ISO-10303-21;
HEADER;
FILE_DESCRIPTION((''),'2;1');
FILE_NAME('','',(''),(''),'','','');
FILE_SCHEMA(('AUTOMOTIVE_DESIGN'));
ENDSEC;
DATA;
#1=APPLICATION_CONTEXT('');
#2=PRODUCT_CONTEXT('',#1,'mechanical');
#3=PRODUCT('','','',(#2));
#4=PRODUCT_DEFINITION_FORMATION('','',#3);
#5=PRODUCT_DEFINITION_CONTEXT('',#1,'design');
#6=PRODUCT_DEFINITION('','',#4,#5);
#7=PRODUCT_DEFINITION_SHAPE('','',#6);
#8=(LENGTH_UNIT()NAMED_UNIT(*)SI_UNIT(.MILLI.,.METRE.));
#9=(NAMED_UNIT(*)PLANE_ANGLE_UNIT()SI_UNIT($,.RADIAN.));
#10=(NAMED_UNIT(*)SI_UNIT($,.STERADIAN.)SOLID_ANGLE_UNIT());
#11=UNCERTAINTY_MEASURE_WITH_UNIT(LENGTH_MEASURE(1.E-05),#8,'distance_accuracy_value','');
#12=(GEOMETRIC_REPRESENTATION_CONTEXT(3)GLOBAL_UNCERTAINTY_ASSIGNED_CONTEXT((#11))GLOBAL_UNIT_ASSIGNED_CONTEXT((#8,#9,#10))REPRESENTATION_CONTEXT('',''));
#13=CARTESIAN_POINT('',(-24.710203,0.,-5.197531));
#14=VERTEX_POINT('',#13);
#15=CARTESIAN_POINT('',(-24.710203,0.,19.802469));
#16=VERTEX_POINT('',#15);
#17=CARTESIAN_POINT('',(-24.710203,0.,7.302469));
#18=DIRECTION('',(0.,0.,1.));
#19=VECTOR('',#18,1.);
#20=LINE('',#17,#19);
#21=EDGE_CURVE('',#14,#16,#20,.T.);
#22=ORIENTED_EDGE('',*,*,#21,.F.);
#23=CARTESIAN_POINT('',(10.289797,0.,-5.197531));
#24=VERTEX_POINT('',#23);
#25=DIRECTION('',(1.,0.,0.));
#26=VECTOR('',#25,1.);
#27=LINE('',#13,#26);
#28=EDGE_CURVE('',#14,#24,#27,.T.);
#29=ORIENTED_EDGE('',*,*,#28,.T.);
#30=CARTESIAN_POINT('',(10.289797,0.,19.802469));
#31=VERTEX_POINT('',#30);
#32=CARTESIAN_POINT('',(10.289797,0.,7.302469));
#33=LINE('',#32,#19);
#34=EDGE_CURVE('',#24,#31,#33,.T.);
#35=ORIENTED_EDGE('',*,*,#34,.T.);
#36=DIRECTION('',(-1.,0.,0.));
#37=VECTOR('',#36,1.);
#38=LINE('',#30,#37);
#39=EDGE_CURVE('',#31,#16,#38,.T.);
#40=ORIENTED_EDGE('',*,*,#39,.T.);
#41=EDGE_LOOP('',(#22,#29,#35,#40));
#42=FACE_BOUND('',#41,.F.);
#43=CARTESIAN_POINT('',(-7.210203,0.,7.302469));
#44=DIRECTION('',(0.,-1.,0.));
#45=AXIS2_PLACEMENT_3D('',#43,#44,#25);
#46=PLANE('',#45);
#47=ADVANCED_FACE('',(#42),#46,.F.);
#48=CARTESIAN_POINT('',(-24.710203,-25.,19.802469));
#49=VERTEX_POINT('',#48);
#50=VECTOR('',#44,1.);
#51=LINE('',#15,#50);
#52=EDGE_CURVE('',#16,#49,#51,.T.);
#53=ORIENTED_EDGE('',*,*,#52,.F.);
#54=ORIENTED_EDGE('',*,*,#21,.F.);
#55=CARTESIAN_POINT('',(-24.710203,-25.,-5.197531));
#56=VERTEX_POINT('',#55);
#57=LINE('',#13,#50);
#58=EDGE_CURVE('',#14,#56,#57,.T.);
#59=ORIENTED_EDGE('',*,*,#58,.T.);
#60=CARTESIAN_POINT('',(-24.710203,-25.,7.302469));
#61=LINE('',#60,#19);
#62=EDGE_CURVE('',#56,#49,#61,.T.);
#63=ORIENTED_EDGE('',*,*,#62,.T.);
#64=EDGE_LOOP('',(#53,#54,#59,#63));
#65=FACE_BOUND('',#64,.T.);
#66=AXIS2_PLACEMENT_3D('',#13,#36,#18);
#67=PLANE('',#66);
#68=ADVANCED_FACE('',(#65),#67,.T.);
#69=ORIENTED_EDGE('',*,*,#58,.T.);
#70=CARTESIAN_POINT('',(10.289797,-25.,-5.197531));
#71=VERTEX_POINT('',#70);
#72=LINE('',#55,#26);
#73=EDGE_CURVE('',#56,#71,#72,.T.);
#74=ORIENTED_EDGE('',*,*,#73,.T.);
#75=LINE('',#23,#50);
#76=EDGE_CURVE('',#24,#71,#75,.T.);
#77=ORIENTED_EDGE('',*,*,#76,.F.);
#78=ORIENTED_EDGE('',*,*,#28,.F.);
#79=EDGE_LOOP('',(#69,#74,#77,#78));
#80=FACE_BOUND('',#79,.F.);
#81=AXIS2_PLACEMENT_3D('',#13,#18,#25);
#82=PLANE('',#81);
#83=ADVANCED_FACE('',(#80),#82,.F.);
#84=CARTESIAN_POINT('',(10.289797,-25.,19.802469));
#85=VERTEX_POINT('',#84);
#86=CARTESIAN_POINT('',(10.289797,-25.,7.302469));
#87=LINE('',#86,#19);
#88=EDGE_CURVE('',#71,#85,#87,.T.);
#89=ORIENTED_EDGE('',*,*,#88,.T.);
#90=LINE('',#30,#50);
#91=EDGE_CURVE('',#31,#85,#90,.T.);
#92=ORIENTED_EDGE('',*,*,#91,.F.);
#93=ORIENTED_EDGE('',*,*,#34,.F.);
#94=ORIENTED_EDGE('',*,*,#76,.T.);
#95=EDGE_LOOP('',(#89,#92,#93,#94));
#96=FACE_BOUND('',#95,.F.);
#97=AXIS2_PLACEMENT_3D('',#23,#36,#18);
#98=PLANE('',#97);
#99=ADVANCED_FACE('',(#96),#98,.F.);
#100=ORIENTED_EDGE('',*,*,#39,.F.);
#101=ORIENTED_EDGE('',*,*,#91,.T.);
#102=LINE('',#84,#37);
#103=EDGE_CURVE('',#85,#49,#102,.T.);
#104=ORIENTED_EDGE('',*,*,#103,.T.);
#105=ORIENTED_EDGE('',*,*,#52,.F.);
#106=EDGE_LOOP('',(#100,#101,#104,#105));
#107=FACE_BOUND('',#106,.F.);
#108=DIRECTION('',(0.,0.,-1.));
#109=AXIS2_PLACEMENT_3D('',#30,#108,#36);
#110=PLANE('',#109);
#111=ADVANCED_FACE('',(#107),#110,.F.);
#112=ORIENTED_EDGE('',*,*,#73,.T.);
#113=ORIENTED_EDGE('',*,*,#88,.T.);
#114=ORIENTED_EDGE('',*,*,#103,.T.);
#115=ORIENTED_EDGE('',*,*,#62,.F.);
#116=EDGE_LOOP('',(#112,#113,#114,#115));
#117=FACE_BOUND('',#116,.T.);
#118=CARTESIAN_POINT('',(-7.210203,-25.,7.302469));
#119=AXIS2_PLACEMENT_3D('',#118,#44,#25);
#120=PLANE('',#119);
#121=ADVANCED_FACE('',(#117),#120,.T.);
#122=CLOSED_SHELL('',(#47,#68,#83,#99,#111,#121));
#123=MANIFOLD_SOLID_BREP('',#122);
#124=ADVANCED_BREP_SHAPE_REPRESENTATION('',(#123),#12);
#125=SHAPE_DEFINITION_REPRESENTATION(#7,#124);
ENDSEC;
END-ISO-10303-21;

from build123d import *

# Parameters (mm, degrees)
F0_W     = 25
F0_H     = 25
F0_W_2   = 5
F1_DEPTH = 25


with BuildPart() as f1:
    # F0 (on Front) → F1 (new body)
    with BuildSketch(Plane.XZ):
        with Locations((-7.210203, 7.302469)):
            Rectangle(F0_W, F0_H)
        with Locations((-22.210203, 7.302469)):
            Rectangle(F0_W_2, F0_H)
        with Locations((7.789797, 7.302469)):
            Rectangle(F0_W_2, F0_H)
    extrude(amount=F1_DEPTH)


solid = f1.part
